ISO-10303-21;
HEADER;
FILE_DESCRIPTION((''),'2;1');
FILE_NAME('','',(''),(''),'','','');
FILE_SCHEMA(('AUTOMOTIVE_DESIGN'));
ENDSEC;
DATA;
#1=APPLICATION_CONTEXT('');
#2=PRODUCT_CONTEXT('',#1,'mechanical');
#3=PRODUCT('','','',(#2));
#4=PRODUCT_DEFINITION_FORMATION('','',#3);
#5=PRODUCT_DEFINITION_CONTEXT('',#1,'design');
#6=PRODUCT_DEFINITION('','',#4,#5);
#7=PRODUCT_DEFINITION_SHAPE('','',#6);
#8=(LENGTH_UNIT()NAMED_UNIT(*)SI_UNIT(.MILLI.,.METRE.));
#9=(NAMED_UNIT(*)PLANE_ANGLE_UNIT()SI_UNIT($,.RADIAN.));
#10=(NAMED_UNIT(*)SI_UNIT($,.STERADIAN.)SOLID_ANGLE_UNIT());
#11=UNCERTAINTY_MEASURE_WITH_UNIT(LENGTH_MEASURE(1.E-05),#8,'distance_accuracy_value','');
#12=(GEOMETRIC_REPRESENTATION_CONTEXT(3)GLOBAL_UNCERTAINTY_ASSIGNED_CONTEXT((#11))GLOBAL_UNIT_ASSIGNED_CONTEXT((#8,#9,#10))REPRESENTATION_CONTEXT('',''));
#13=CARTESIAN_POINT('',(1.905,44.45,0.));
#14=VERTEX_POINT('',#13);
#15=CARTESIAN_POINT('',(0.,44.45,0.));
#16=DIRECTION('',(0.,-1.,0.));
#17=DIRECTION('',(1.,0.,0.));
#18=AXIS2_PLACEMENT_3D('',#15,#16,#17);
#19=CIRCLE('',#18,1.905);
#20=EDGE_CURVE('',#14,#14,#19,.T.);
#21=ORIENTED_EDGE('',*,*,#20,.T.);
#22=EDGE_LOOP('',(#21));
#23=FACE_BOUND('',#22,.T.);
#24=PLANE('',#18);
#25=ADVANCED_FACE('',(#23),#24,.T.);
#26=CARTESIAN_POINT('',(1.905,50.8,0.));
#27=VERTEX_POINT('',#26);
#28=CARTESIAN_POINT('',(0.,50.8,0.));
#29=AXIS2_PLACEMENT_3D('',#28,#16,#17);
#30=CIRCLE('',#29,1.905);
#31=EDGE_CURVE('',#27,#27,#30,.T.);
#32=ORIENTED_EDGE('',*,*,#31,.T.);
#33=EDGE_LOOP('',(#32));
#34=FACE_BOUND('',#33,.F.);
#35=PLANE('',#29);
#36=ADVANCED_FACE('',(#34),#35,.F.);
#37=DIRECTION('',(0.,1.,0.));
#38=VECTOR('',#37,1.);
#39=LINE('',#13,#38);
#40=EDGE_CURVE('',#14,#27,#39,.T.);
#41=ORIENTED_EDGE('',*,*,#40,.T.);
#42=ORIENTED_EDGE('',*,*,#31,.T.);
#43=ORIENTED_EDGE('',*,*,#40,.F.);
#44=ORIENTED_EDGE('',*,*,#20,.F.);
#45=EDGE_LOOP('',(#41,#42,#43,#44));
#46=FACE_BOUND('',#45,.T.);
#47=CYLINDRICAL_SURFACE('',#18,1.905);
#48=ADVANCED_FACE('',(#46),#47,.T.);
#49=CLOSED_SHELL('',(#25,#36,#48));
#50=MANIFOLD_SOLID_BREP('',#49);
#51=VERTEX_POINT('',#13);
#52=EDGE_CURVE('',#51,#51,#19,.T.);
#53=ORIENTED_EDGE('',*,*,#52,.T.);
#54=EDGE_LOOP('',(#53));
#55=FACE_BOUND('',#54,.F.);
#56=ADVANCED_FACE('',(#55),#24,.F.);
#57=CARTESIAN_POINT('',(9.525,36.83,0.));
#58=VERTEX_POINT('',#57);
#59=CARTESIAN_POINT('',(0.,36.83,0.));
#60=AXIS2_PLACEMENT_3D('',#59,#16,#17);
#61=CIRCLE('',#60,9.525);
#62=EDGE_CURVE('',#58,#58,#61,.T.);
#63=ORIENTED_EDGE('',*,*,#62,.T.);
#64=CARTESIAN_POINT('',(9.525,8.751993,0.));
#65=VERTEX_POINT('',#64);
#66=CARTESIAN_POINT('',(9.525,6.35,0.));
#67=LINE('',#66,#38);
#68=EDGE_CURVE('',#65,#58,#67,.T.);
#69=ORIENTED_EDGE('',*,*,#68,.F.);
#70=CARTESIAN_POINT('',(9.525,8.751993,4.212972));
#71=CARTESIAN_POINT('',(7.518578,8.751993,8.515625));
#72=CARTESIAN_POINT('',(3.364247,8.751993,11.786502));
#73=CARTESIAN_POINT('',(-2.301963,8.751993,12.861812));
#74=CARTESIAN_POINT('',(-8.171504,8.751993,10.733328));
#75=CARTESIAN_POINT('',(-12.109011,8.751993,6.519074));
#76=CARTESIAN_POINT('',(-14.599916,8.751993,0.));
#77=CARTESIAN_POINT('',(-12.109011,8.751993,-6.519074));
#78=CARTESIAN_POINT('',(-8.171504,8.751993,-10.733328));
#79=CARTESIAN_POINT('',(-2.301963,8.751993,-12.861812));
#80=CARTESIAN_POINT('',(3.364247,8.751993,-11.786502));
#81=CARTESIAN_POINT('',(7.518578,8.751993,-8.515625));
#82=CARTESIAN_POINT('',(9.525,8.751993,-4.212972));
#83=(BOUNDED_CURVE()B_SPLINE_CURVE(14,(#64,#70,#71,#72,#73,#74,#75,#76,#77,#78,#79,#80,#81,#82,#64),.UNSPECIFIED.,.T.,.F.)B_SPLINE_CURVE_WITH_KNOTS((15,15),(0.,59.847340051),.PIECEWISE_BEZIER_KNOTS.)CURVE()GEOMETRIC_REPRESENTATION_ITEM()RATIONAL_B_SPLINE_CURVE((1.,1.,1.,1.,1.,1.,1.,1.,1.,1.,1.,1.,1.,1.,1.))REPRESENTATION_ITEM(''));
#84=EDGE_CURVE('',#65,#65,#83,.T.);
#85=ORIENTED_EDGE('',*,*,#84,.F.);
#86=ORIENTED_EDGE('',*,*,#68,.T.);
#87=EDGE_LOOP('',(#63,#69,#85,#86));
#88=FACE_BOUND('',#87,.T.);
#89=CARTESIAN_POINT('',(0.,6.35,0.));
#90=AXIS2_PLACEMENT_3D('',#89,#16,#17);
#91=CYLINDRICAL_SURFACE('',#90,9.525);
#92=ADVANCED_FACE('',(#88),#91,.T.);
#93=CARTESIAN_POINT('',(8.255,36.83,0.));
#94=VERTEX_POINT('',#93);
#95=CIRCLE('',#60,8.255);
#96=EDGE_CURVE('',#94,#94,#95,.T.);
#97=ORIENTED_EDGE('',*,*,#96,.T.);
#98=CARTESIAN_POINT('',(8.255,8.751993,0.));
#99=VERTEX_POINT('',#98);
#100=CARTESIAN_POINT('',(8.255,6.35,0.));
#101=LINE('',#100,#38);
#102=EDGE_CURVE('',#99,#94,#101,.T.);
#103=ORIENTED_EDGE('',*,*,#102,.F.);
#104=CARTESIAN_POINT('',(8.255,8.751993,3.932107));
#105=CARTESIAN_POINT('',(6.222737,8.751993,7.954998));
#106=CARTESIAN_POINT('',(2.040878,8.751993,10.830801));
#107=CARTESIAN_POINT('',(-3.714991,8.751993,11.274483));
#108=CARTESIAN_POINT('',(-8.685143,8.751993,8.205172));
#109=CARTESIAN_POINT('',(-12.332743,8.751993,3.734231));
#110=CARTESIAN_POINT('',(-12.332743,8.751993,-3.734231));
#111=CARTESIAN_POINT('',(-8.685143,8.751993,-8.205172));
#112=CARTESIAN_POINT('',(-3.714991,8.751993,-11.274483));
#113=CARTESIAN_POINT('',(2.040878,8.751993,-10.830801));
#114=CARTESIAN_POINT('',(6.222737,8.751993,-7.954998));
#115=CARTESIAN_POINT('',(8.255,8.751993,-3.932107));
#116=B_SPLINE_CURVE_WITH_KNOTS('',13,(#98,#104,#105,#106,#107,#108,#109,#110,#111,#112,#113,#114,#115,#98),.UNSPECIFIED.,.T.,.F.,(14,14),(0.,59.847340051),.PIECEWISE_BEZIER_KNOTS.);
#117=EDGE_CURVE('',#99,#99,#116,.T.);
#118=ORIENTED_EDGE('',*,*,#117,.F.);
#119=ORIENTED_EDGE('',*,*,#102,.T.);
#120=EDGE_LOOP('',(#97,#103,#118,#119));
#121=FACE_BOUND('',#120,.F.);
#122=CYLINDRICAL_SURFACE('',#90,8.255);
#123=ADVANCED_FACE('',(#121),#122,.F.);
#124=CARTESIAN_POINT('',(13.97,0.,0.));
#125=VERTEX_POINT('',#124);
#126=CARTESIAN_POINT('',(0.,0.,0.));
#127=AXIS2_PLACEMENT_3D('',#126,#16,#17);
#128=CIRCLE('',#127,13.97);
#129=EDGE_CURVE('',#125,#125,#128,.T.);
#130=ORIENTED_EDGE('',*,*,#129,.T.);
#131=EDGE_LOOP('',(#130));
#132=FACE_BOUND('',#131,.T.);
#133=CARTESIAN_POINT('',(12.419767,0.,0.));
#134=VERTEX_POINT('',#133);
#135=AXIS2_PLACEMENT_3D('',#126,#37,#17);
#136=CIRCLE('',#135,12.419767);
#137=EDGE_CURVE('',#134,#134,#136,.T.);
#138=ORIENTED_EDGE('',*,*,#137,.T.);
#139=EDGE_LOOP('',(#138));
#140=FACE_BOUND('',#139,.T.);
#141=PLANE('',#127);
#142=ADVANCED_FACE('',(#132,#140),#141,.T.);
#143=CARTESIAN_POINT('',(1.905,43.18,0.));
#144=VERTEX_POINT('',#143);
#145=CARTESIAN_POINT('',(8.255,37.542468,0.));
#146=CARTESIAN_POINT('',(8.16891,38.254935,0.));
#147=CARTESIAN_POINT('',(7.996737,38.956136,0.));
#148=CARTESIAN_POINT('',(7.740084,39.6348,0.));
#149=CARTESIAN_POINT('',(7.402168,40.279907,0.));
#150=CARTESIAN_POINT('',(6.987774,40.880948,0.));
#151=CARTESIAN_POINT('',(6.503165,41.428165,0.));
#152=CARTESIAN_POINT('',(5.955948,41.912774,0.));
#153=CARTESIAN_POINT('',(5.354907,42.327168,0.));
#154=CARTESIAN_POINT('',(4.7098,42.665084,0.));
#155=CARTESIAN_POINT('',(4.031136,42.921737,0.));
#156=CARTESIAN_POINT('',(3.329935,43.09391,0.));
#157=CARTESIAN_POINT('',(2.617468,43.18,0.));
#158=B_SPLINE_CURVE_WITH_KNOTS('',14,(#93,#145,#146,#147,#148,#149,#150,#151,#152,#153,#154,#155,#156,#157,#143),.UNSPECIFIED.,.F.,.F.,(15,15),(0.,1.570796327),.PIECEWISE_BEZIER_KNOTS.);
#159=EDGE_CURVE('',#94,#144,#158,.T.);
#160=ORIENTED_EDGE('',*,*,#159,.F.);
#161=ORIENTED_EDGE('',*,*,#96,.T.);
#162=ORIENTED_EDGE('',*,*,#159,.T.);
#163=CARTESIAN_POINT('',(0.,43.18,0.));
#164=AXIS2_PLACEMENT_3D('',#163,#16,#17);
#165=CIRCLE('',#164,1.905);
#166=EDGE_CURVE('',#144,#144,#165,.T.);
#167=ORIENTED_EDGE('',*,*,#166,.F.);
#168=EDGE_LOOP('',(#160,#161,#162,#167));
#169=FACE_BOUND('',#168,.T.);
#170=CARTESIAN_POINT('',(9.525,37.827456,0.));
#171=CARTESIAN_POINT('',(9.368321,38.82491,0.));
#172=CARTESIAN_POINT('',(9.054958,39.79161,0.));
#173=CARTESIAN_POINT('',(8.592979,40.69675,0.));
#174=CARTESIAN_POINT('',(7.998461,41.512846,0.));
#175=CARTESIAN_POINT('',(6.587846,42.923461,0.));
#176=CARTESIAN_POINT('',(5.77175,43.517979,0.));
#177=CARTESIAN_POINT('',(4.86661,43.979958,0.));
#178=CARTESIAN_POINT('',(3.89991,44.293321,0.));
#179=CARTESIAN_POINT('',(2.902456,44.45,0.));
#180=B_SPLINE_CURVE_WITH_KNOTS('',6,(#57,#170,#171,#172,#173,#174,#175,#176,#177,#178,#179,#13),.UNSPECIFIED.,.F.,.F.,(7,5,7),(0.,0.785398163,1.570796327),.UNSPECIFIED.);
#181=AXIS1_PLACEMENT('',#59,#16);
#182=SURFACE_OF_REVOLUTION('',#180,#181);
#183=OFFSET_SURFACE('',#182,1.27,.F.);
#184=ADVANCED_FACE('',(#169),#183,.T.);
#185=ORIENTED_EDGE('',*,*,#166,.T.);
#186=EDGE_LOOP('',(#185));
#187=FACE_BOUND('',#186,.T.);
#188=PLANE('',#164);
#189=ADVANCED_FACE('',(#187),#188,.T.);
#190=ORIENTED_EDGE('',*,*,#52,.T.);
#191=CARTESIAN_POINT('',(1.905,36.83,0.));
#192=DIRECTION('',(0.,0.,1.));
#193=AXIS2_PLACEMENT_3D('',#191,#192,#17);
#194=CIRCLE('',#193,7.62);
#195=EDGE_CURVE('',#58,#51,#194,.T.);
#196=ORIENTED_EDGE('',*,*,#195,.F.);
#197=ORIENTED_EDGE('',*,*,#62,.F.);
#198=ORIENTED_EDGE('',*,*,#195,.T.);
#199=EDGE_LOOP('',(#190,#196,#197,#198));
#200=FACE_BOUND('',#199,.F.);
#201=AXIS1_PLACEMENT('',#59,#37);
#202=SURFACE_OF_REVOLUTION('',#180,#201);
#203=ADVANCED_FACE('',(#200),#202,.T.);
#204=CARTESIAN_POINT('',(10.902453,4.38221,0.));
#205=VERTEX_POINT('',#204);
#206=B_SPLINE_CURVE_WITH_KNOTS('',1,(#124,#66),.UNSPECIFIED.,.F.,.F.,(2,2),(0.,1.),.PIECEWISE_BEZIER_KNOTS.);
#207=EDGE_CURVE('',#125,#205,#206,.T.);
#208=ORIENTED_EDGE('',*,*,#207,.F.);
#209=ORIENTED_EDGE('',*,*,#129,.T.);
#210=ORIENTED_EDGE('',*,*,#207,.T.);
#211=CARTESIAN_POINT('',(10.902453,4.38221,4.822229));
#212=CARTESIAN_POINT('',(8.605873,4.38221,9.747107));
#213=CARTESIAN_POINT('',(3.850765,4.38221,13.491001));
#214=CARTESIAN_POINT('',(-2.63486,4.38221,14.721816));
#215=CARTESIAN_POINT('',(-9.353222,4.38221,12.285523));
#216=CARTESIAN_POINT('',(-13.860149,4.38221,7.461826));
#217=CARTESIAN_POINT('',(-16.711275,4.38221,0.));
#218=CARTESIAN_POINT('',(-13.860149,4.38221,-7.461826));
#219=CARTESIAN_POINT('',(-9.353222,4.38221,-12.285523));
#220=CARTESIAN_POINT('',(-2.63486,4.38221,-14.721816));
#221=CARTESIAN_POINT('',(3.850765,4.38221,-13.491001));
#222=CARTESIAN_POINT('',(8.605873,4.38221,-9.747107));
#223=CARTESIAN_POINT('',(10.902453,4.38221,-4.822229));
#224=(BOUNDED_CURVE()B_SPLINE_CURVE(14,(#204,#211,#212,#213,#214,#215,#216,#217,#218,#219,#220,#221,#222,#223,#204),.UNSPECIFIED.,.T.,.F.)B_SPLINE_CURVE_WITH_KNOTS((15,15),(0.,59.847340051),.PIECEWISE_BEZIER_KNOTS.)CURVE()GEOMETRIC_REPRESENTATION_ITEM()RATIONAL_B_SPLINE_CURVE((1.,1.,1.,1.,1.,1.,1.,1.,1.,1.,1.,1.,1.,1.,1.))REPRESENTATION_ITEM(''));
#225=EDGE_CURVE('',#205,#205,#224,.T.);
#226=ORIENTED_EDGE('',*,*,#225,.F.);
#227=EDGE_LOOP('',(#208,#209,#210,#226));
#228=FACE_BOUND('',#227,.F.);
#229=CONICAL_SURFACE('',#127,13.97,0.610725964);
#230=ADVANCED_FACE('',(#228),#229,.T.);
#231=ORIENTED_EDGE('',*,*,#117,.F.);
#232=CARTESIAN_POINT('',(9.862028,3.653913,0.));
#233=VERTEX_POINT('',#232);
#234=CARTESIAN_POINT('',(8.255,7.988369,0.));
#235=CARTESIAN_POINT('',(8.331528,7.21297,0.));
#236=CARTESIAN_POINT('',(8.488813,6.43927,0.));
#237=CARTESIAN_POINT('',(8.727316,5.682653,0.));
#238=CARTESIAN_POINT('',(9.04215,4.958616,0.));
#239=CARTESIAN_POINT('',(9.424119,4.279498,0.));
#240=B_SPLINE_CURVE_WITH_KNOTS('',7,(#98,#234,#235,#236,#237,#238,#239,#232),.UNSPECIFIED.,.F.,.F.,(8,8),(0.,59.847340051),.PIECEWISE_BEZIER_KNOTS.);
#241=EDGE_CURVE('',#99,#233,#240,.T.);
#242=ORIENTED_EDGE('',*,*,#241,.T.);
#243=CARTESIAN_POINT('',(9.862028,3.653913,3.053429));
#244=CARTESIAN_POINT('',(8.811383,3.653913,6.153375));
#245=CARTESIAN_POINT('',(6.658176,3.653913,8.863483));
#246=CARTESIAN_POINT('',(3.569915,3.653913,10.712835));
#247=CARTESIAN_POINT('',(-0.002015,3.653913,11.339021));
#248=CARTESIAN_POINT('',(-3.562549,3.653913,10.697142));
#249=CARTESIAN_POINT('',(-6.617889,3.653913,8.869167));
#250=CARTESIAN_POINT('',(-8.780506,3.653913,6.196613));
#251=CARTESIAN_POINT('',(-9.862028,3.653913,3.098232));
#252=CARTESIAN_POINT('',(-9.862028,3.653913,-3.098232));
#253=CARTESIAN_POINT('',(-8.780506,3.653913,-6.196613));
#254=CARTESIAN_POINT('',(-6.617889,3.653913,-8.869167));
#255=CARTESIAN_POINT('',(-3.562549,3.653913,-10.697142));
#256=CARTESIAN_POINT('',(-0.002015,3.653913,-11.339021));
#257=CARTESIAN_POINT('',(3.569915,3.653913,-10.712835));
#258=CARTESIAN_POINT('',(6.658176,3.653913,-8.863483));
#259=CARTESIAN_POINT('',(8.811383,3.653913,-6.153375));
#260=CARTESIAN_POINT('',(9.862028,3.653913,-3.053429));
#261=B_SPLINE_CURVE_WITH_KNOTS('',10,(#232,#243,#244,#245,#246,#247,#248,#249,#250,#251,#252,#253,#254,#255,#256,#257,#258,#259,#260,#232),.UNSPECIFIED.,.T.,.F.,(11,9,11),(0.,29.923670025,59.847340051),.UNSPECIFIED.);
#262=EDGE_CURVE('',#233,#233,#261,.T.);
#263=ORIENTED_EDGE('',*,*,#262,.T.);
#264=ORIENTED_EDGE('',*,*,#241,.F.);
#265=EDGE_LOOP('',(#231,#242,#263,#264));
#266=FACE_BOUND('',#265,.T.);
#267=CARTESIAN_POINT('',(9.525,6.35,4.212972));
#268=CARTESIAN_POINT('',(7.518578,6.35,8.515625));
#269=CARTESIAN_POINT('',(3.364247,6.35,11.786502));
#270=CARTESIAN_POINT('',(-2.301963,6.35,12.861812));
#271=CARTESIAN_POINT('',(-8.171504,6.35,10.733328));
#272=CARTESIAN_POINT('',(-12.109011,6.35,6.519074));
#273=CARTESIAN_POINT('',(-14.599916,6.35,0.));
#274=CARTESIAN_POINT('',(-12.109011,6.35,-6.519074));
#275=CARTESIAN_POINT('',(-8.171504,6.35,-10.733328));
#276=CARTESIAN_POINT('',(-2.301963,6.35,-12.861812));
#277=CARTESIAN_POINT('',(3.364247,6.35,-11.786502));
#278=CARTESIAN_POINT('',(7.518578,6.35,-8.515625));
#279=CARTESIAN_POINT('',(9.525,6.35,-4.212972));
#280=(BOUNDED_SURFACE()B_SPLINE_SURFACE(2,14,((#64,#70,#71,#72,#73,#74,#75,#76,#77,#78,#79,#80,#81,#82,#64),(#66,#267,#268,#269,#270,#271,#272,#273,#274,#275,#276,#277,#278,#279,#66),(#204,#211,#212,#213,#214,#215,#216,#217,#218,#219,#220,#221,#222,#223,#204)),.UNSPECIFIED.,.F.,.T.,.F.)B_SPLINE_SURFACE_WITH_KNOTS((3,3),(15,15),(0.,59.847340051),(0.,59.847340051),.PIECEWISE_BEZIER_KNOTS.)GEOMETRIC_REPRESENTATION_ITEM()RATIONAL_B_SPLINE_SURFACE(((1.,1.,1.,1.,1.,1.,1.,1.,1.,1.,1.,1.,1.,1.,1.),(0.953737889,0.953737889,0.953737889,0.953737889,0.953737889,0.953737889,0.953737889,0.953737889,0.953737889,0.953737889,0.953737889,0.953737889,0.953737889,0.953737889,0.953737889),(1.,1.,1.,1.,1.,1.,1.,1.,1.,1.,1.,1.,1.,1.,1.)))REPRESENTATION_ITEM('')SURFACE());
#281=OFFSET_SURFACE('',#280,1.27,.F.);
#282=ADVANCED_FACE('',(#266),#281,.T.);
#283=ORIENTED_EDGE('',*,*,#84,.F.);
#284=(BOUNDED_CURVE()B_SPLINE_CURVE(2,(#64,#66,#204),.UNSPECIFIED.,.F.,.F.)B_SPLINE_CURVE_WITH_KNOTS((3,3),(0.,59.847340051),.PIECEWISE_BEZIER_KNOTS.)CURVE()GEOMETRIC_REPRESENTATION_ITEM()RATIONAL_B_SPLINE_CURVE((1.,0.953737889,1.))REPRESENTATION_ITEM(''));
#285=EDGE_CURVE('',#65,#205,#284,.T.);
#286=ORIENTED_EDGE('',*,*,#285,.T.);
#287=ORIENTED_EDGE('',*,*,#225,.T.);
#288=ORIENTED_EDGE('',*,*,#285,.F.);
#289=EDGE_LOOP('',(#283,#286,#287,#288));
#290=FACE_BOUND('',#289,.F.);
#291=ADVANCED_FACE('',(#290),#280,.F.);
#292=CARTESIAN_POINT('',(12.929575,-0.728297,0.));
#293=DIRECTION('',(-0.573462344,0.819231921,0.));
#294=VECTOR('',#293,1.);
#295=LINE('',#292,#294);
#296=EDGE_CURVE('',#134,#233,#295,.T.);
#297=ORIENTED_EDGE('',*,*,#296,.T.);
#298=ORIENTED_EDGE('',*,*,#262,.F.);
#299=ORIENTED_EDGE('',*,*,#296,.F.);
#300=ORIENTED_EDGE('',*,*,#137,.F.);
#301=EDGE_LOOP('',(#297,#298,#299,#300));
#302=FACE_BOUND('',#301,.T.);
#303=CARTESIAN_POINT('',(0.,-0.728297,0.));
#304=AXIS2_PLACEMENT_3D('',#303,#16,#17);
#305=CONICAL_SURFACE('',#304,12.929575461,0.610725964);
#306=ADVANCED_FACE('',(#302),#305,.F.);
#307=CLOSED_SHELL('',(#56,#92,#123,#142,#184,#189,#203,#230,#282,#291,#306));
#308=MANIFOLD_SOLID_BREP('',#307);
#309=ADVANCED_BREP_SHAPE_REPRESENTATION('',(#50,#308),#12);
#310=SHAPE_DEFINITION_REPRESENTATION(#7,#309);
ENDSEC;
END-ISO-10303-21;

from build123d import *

# Parameters (mm, degrees)
F0_R     = 13.97
F2_R     = 9.525
F4_DEPTH = 38.1
F5_R     = 7.62
F6_R     = 7.62
F7_DEPTH = 6.35
F8_T     = -1.27


with BuildPart() as f3:
    # F0 (on Front) → F3 section 0
    with BuildSketch(Plane.XZ):
        Circle(F0_R)
    # F2 (on offset) → F3 section 1
    with BuildSketch(Plane.XZ.offset(-6.35)):
        Circle(F2_R)
    loft()

    # F2 (on offset) → F4 (join)
    with BuildSketch(Plane.XZ.offset(-6.35)):
        Circle(F2_R)
    extrude(amount=-F4_DEPTH)

    # F5
    f5_edges = [f3.edges().sort_by_distance(p)[0] for p in [
        (-9.525, 6.35, 0),
    ]]
    fillet(f5_edges, radius=F5_R)

    # F6
    f6_edges = [f3.edges().sort_by_distance(p)[0] for p in [
        (-9.525, 44.45, 0),
    ]]
    fillet(f6_edges, radius=F6_R)


with BuildPart() as f7:
    # F7 (new): a face of the model
    f7_faces = [f3.part.faces().sort_by_distance(p)[0] for p in [
        (0, 44.45, 0),
    ]]
    extrude(f7_faces, amount=F7_DEPTH)


with BuildPart() as f3_1:
    add(f3.part)

    # F8
    f8_openings = [f3_1.faces().sort_by_distance(p)[0] for p in [
        (0, 0, 0),
    ]]
    offset(amount=F8_T, openings=f8_openings, kind=Kind.INTERSECTION)


solid = Compound([f7.part, f3_1.part])
